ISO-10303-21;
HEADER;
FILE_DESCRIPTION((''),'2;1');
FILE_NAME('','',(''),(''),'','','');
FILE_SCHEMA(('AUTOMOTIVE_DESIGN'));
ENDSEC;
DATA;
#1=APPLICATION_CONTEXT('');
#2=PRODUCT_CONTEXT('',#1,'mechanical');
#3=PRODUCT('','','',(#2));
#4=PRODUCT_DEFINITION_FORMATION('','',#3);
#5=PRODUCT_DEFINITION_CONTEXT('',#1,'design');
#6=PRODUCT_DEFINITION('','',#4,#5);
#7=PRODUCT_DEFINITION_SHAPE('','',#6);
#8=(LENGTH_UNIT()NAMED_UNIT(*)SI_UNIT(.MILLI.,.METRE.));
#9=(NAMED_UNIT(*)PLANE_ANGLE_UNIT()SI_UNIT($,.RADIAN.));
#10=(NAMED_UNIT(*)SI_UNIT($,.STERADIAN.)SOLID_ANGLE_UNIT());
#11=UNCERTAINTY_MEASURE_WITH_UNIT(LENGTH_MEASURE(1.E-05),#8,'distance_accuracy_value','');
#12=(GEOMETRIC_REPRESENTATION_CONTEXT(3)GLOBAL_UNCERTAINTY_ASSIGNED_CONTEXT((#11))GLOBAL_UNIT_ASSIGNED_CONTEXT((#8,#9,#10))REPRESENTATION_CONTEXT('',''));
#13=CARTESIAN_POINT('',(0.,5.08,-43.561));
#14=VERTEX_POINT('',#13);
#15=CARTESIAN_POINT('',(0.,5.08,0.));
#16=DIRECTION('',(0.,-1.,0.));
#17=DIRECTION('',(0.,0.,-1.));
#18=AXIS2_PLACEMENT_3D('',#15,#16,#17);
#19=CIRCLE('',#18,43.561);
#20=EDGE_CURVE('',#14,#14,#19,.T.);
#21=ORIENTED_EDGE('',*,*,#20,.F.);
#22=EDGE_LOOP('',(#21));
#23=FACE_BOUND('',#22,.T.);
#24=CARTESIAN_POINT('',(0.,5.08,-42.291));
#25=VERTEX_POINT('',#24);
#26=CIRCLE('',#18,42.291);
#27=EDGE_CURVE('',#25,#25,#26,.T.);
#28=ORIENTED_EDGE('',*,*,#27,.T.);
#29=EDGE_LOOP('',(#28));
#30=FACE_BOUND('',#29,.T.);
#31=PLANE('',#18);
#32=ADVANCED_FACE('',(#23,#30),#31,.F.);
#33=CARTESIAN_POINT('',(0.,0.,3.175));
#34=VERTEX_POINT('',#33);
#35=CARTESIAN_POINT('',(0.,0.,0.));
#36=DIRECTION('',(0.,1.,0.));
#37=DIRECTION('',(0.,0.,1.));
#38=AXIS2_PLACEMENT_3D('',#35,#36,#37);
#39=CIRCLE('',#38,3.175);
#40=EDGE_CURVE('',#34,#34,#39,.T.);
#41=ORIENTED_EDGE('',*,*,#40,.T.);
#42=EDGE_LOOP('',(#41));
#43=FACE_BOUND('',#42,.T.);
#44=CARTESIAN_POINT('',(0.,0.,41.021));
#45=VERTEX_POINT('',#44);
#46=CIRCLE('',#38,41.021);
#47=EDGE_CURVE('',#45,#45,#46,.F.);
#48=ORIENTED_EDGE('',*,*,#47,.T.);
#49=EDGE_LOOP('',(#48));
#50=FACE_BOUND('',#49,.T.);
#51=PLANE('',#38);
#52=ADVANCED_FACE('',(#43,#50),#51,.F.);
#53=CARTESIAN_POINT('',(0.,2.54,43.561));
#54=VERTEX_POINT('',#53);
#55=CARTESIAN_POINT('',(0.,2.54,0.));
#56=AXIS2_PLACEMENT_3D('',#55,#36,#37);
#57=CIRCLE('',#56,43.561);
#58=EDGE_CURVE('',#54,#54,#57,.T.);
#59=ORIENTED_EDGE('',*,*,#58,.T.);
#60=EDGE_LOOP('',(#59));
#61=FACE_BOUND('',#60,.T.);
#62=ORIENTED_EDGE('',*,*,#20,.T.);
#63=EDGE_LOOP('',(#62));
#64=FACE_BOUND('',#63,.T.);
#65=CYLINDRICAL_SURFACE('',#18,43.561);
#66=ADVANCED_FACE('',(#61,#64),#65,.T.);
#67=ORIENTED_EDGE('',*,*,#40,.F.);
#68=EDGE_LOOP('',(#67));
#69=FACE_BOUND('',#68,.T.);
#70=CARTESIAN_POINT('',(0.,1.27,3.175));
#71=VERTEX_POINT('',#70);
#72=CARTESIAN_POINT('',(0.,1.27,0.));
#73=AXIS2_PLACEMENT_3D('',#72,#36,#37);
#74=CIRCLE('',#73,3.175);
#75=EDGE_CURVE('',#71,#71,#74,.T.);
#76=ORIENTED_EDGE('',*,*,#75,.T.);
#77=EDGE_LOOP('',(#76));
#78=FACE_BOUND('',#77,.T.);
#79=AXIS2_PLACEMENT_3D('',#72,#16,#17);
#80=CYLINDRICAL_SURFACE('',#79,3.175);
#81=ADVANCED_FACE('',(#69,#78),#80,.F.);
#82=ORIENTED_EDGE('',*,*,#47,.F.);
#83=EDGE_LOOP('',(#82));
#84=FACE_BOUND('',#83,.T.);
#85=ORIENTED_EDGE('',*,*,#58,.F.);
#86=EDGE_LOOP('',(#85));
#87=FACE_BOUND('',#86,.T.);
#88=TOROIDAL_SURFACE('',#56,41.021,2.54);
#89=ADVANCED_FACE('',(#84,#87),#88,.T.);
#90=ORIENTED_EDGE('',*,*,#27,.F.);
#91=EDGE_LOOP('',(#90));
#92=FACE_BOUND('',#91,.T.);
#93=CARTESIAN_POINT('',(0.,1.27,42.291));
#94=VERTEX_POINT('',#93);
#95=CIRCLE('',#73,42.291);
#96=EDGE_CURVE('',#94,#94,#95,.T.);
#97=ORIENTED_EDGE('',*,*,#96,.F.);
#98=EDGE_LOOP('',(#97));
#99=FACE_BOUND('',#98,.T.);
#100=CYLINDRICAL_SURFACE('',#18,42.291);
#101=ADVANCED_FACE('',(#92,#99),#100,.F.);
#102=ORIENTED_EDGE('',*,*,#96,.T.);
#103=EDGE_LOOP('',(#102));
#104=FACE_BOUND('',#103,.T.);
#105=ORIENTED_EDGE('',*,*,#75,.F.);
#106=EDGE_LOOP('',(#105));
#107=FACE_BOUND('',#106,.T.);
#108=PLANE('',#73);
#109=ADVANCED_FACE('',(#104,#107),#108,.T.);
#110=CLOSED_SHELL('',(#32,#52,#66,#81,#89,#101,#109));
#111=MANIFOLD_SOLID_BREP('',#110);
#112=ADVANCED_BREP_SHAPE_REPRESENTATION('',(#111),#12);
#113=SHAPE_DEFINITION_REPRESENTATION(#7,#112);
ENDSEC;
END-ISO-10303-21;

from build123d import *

# Parameters (mm, degrees)
SKETCH1_R           = 42.291
SKETCH1_R_2         = 3.175
BOSS_EXTRUDE1_DEPTH = 1.27
SKETCH2_R           = 43.561
SKETCH2_R_2         = 42.291
BOSS_EXTRUDE2_DEPTH = 5.08
FILLET1_R           = 2.54


with BuildPart() as part:
    # Sketch1 → Boss-Extrude1 (new body)
    with BuildSketch(Plane(origin=(0, 0, 0), x_dir=(1, 0, 0), z_dir=(0, 1, 0))):
        Circle(SKETCH1_R)
        Circle(SKETCH1_R_2, mode=Mode.SUBTRACT)
    extrude(amount=BOSS_EXTRUDE1_DEPTH)

    # Sketch2 → Boss-Extrude2 (add)
    with BuildSketch(Plane.XZ):
        Circle(SKETCH2_R)
        Circle(SKETCH2_R_2, mode=Mode.SUBTRACT)
    extrude(amount=-BOSS_EXTRUDE2_DEPTH)

    # Fillet1
    fillet1_edges = [part.edges().sort_by_distance(p)[0] for p in [
        (-43.561, 0, 0),
    ]]
    fillet(fillet1_edges, radius=FILLET1_R)


solid = part.part
